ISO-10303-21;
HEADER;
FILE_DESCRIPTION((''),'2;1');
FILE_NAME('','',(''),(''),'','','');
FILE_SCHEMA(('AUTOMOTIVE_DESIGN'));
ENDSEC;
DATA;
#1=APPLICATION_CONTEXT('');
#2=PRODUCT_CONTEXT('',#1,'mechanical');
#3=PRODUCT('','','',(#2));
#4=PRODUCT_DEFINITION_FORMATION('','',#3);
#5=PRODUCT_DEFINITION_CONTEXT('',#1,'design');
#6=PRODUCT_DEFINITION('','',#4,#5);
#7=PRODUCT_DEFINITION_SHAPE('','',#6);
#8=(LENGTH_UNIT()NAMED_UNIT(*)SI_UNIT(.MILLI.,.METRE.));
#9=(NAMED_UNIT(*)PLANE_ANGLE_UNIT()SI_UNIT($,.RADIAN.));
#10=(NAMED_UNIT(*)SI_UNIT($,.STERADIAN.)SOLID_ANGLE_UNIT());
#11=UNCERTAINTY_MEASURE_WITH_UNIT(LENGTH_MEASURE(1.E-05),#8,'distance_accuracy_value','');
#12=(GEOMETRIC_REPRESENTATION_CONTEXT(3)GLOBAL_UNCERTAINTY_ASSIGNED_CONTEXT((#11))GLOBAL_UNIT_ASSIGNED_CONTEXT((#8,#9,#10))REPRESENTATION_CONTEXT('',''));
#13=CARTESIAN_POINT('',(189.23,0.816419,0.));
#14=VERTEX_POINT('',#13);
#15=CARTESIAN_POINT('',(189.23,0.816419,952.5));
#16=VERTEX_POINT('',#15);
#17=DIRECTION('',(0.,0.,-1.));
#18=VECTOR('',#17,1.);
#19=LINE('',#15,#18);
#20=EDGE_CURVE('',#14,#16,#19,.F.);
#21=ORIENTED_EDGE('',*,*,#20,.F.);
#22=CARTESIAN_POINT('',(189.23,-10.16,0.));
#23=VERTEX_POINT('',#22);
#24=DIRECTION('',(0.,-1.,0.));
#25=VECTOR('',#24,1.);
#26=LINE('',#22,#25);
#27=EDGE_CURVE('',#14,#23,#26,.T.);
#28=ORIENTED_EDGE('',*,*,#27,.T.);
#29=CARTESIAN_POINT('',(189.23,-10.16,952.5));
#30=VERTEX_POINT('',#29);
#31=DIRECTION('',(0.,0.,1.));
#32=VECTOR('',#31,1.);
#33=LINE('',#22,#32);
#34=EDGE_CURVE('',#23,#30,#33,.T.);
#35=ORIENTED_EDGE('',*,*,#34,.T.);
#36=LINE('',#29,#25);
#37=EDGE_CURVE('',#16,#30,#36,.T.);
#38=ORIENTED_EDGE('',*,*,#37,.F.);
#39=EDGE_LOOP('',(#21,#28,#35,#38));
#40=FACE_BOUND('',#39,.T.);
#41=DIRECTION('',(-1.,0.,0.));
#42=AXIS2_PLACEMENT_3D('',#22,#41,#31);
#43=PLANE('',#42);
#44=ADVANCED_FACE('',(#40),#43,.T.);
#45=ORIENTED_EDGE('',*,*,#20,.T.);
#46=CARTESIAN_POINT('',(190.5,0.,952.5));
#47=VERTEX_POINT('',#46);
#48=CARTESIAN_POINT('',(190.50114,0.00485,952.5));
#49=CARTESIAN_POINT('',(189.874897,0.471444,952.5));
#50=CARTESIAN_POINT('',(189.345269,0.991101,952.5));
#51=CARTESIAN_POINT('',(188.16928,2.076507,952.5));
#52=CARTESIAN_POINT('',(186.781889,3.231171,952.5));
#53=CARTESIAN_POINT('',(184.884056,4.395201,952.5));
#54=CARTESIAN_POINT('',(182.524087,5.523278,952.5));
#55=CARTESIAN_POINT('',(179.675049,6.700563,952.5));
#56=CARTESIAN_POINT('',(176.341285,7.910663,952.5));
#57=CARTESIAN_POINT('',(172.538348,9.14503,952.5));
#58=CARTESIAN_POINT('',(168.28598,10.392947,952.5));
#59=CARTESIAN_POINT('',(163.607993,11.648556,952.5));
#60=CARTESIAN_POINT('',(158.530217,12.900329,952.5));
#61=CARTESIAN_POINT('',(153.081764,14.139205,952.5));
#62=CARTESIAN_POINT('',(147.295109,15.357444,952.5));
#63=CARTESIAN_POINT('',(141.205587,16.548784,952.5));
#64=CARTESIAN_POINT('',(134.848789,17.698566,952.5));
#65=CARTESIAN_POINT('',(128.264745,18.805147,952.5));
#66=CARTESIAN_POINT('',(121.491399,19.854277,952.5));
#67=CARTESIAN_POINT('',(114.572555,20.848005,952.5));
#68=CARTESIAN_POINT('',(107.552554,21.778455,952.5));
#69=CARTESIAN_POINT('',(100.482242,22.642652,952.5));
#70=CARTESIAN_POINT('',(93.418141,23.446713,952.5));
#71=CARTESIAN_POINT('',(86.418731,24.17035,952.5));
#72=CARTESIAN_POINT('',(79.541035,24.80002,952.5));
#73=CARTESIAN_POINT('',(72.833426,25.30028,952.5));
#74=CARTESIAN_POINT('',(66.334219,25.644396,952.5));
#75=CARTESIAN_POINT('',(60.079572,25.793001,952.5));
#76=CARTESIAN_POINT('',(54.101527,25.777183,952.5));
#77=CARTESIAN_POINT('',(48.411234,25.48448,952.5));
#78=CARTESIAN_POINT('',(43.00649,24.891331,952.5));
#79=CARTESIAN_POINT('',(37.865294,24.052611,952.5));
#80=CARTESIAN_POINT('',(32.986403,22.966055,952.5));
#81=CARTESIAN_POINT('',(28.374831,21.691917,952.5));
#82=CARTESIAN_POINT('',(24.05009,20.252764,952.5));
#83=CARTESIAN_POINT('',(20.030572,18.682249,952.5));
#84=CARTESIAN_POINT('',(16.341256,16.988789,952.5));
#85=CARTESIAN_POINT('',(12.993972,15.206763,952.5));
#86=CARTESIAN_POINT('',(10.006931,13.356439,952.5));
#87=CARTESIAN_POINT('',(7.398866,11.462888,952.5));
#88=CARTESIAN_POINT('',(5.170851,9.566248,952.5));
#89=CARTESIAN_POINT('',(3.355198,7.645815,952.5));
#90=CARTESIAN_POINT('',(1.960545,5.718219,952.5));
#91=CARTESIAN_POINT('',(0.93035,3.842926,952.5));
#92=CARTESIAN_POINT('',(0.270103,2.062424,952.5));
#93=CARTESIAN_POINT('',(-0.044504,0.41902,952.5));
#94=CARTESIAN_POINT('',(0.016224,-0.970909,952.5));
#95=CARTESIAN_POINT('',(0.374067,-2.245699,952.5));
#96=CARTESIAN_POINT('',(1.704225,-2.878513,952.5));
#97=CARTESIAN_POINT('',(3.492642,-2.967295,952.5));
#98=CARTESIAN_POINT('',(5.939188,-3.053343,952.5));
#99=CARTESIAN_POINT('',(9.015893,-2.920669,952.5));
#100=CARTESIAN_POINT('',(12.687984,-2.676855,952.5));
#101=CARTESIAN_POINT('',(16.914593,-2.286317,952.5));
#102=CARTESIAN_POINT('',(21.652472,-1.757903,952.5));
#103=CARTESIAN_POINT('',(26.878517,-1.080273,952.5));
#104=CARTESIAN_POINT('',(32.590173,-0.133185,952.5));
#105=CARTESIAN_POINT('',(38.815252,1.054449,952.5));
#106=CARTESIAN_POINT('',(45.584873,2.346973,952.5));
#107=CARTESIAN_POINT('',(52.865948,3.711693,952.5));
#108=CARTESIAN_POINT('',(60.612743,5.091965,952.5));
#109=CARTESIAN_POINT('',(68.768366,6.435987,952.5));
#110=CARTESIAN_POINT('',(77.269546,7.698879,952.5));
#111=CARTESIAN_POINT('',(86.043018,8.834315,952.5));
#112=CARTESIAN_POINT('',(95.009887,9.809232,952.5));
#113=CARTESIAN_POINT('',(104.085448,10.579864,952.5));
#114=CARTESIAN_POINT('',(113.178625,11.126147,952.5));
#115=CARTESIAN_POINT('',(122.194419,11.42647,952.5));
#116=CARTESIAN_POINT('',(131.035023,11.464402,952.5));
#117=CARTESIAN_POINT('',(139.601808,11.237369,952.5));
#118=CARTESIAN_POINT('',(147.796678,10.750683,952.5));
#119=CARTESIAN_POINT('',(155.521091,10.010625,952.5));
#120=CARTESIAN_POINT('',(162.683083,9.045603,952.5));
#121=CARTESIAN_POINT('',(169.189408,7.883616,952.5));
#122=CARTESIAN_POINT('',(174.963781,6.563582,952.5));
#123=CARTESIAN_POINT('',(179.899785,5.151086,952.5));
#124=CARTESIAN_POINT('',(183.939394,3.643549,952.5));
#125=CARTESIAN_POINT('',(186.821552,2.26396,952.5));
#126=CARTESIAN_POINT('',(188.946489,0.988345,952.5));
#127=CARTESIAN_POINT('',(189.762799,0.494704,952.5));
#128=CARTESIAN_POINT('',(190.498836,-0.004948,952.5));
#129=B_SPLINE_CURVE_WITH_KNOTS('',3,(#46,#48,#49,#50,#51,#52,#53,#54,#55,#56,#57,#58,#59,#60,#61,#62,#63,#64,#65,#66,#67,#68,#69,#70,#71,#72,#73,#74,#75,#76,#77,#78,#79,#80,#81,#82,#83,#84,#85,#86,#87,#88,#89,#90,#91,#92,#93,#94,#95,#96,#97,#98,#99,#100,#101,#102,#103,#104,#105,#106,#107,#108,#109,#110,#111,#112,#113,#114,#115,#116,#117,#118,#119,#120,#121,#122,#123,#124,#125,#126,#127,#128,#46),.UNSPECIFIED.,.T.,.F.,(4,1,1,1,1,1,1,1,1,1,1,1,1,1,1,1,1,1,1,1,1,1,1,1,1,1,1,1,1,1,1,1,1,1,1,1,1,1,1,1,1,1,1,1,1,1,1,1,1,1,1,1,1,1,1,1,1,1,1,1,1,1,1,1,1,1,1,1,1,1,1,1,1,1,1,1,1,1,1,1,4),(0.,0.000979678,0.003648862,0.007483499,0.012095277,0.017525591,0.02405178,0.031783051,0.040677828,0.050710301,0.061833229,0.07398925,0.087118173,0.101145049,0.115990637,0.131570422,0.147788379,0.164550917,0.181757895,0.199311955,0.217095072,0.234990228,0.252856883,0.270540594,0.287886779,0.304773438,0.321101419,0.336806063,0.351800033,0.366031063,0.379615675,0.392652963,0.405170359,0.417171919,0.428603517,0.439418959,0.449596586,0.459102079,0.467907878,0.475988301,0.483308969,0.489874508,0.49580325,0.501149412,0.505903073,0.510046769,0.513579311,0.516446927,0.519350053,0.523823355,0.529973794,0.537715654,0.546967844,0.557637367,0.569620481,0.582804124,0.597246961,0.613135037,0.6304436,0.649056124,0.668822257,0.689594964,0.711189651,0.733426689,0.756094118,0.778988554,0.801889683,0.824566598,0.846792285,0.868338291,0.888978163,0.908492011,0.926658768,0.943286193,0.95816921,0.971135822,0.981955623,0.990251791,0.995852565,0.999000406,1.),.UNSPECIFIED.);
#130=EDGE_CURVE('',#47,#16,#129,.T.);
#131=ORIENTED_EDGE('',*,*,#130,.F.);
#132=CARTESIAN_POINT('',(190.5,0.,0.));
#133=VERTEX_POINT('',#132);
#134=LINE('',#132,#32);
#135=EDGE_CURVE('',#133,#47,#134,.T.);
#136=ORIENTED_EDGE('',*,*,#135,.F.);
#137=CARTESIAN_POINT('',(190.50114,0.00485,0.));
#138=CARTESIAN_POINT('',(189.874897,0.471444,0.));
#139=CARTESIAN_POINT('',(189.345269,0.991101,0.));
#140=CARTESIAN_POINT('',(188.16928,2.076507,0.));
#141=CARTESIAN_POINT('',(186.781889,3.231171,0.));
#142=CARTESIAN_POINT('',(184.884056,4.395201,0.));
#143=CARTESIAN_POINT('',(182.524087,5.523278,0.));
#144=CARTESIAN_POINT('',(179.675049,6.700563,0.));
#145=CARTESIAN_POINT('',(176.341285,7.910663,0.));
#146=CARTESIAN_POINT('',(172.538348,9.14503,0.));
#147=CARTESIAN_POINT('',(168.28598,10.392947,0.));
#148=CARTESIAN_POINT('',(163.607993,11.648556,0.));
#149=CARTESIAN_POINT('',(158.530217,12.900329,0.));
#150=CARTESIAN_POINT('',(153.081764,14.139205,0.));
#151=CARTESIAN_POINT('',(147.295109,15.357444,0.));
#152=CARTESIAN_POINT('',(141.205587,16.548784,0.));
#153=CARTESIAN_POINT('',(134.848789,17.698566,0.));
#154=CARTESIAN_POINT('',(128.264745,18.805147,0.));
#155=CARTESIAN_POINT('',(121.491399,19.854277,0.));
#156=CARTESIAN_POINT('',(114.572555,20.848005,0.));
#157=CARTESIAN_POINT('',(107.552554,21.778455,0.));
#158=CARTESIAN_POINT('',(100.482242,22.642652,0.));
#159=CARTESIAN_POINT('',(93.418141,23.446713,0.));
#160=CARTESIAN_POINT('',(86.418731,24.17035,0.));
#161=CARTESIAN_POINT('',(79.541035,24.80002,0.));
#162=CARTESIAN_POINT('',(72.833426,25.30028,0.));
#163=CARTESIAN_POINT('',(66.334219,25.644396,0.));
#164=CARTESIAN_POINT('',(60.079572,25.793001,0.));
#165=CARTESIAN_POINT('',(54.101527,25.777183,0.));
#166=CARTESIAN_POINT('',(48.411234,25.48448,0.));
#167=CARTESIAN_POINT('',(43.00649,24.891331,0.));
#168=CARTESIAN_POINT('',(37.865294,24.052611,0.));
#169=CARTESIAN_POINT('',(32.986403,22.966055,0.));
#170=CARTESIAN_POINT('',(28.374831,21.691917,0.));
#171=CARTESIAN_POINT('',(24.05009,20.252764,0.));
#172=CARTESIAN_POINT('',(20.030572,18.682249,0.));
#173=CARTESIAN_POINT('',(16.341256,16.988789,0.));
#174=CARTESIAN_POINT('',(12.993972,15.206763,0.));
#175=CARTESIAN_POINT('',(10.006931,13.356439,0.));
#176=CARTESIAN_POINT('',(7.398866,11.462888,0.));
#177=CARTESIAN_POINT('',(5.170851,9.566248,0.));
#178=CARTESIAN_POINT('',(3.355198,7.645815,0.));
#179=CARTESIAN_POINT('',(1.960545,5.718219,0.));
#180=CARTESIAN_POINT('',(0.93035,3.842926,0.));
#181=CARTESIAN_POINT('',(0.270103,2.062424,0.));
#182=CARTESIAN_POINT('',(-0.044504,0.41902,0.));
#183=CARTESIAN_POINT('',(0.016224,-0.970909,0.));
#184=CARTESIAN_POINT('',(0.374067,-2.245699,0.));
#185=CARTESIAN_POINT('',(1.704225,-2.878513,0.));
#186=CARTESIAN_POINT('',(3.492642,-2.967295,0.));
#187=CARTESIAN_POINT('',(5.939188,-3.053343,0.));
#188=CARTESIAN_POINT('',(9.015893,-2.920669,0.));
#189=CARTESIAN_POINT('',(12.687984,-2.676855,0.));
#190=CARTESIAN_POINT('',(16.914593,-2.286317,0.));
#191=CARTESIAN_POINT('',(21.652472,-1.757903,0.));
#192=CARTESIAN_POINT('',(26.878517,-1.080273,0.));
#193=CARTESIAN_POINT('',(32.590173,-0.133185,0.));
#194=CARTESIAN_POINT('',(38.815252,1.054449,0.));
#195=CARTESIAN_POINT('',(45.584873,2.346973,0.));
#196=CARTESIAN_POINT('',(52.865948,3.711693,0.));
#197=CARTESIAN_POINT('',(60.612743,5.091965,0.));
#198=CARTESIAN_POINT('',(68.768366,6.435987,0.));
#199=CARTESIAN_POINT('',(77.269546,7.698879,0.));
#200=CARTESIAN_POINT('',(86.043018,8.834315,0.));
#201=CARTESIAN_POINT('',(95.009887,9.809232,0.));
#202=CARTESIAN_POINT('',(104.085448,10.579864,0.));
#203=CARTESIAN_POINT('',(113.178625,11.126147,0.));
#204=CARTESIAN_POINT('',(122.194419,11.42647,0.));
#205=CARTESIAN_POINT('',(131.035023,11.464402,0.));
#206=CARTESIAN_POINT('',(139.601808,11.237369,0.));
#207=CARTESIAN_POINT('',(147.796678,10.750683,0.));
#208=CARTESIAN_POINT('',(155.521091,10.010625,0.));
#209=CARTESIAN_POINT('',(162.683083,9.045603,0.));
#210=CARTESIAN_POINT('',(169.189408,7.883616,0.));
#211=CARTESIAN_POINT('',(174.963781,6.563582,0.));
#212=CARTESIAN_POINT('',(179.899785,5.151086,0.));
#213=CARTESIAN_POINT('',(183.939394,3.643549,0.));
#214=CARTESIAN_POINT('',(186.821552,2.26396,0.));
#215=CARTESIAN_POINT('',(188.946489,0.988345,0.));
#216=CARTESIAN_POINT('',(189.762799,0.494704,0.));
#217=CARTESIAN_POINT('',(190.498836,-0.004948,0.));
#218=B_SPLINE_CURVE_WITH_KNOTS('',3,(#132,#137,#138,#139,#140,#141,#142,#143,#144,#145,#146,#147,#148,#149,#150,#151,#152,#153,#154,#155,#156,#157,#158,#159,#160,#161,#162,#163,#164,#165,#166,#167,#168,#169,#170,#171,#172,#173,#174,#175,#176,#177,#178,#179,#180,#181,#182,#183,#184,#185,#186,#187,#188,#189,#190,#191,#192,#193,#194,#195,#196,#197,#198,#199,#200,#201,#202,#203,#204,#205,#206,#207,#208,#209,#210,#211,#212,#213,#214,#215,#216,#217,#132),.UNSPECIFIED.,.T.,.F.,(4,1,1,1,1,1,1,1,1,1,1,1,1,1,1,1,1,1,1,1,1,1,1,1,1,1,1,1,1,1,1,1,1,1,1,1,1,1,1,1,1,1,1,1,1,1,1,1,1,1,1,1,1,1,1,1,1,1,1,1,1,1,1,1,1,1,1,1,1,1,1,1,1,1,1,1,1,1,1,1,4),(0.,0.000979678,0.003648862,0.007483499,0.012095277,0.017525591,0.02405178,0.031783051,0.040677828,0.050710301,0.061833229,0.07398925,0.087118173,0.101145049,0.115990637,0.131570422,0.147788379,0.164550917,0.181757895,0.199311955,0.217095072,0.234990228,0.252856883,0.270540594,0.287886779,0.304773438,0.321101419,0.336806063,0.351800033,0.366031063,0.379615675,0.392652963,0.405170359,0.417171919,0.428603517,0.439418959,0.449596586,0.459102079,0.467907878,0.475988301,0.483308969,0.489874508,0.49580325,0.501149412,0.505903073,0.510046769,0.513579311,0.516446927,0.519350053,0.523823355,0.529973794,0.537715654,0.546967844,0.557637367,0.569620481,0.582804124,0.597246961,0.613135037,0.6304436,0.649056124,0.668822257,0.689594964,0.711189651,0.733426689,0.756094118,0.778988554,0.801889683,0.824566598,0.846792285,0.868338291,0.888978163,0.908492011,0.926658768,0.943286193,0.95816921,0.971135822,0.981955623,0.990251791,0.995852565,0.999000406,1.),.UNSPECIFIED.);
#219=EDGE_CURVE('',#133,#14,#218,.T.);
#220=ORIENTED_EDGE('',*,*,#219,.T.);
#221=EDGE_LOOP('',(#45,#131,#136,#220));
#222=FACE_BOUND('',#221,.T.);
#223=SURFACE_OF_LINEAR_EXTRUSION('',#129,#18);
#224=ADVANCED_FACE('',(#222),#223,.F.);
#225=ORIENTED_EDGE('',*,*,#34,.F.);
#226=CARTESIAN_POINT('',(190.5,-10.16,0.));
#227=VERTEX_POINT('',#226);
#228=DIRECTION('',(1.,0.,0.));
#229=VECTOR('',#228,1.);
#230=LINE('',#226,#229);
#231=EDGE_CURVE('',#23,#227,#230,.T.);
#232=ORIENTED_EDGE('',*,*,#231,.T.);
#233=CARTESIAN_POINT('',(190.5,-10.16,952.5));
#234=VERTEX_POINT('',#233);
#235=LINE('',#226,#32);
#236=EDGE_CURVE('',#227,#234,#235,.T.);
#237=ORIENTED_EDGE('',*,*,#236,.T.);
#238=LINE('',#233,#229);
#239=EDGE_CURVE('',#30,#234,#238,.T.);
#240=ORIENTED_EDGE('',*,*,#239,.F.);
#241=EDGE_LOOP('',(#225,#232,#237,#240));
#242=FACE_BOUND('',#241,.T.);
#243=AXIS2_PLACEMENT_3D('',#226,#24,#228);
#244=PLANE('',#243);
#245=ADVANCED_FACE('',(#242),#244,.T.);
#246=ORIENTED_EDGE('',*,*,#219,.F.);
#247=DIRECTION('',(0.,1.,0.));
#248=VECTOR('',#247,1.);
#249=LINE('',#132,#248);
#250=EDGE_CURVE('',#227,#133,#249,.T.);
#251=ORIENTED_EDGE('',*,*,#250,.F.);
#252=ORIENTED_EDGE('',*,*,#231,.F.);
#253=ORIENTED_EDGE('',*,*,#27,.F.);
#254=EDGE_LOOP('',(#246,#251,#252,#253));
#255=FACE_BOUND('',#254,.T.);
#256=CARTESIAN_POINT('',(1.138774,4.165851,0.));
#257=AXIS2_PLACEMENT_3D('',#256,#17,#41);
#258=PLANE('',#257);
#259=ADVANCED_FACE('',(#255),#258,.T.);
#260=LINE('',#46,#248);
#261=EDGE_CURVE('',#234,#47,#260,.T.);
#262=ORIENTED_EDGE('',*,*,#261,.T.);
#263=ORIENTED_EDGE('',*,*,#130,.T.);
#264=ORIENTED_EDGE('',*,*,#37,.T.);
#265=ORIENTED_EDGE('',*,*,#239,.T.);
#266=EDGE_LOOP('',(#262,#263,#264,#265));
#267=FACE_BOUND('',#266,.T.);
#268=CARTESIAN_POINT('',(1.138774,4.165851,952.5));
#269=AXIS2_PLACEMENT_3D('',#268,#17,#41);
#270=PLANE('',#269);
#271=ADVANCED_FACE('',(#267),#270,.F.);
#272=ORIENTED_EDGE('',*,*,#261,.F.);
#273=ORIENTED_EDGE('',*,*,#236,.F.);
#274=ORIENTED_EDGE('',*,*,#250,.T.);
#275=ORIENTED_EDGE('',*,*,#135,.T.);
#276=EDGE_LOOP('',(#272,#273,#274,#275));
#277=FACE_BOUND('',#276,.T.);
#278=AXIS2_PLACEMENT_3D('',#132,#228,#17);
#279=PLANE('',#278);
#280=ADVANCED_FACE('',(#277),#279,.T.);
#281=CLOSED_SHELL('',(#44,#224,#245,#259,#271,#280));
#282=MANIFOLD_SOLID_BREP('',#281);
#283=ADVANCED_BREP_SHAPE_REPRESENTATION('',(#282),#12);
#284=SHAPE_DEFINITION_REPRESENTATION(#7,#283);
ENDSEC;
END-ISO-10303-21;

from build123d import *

# Parameters (mm, degrees)
BOSS_EXTRUDE1_DEPTH = 952.5
BOSS_EXTRUDE2_DEPTH = 952.5


with BuildPart() as part:
    # Sketch1 → Boss-Extrude1 (new body)
    with BuildSketch(Plane.XY):
        with BuildLine():
            add(Edge.make_bspline(
                [(190.5, 0), (190.50114045, 0.004849596), (189.874896953, 0.471443658), (189.345268774, 0.991100653), (188.169280274, 2.076506623), (186.781888796, 3.231171027), (184.884056421, 4.395201218), (182.524087437, 5.523278068), (179.675049468, 6.700562898), (176.341285283, 7.910663106), (172.538347889, 9.145030234), (168.285979658, 10.392947032), (163.607992669, 11.648556379), (158.530216744, 12.900329382), (153.081764098, 14.139204517), (147.295108851, 15.357443778), (141.205587005, 16.548784485), (134.84878908, 17.698566485), (128.264745028, 18.805147072), (121.49139922, 19.854276891), (114.572555058, 20.848004574), (107.552554075, 21.778455325), (100.48224217, 22.642651753), (93.418141124, 23.446712837), (86.418731173, 24.170350038), (79.541035437, 24.800019665), (72.833426008, 25.300280471), (66.334219213, 25.644395699), (60.079572264, 25.793000688), (54.101526828, 25.777182658), (48.411234272, 25.484480075), (43.006490333, 24.891331475), (37.865293507, 24.05261056), (32.986402962, 22.966055018), (28.374831045, 21.691917078), (24.050089889, 20.252763674), (20.030572218, 18.682249461), (16.341255786, 16.988788676), (12.993972054, 15.206763446), (10.006931348, 13.356438838), (7.398865706, 11.462888358), (5.170851216, 9.566248098), (3.355198002, 7.645814805), (1.960544743, 5.718219472), (0.930349506, 3.842925922), (0.270103383, 2.062423545), (-0.044503927, 0.419020389), (0.016223798, -0.970909151), (0.374066578, -2.245698506), (1.704225489, -2.87851328), (3.49264161, -2.9672952), (5.939188196, -3.053342986), (9.015893195, -2.920669006), (12.687983762, -2.676854663), (16.914593363, -2.286316955), (21.652472068, -1.757902645), (26.878516736, -1.080272914), (32.590173476, -0.133184537), (38.815251855, 1.054448935), (45.584873075, 2.346973137), (52.865947778, 3.71169339), (60.612743159, 5.091964511), (68.768366475, 6.435986546), (77.269545833, 7.69887908), (86.043018462, 8.834314674), (95.009886978, 9.809232182), (104.085447691, 10.579864329), (113.17862511, 11.126147499), (122.194418874, 11.426469616), (131.035023441, 11.464402451), (139.601808023, 11.237368645), (147.796677859, 10.750683104), (155.521090801, 10.010625382), (162.683083088, 9.045602512), (169.189407873, 7.883615818), (174.96378138, 6.563581677), (179.899784557, 5.151086339), (183.939394111, 3.643549372), (186.821551542, 2.263960045), (188.946489274, 0.988345413), (189.762798975, 0.494703594), (190.498836365, -0.004948188), (190.5, 0)],
                knots=[0, 0, 0, 0, 0.000979678, 0.003648862, 0.007483499, 0.012095277, 0.017525591, 0.02405178, 0.031783051, 0.040677828, 0.050710301, 0.061833229, 0.07398925, 0.087118173, 0.101145049, 0.115990637, 0.131570422, 0.147788379, 0.164550917, 0.181757895, 0.199311955, 0.217095072, 0.234990228, 0.252856883, 0.270540594, 0.287886779, 0.304773438, 0.321101419, 0.336806063, 0.351800033, 0.366031063, 0.379615675, 0.392652963, 0.405170359, 0.417171919, 0.428603517, 0.439418959, 0.449596586, 0.459102079, 0.467907878, 0.475988301, 0.483308969, 0.489874508, 0.49580325, 0.501149412, 0.505903073, 0.510046769, 0.513579311, 0.516446927, 0.519350053, 0.523823355, 0.529973794, 0.537715654, 0.546967844, 0.557637367, 0.569620481, 0.582804124, 0.597246961, 0.613135037, 0.6304436, 0.649056124, 0.668822257, 0.689594964, 0.711189651, 0.733426689, 0.756094118, 0.778988554, 0.801889683, 0.824566598, 0.846792285, 0.868338291, 0.888978163, 0.908492011, 0.926658768, 0.943286193, 0.95816921, 0.971135822, 0.981955623, 0.990251791, 0.995852565, 0.999000406, 1, 1, 1, 1], degree=3))
        make_face()
    extrude(amount=BOSS_EXTRUDE1_DEPTH)

    # Sketch4 → Boss-Extrude2 (add, through all)
    with BuildSketch(Plane.XY.offset(952.5)):
        Polygon((190.5, 0), (190.5, -10.16), (189.23, -10.16), (189.23, 0.94872941), align=None)
    extrude(amount=-BOSS_EXTRUDE2_DEPTH)


solid = part.part
